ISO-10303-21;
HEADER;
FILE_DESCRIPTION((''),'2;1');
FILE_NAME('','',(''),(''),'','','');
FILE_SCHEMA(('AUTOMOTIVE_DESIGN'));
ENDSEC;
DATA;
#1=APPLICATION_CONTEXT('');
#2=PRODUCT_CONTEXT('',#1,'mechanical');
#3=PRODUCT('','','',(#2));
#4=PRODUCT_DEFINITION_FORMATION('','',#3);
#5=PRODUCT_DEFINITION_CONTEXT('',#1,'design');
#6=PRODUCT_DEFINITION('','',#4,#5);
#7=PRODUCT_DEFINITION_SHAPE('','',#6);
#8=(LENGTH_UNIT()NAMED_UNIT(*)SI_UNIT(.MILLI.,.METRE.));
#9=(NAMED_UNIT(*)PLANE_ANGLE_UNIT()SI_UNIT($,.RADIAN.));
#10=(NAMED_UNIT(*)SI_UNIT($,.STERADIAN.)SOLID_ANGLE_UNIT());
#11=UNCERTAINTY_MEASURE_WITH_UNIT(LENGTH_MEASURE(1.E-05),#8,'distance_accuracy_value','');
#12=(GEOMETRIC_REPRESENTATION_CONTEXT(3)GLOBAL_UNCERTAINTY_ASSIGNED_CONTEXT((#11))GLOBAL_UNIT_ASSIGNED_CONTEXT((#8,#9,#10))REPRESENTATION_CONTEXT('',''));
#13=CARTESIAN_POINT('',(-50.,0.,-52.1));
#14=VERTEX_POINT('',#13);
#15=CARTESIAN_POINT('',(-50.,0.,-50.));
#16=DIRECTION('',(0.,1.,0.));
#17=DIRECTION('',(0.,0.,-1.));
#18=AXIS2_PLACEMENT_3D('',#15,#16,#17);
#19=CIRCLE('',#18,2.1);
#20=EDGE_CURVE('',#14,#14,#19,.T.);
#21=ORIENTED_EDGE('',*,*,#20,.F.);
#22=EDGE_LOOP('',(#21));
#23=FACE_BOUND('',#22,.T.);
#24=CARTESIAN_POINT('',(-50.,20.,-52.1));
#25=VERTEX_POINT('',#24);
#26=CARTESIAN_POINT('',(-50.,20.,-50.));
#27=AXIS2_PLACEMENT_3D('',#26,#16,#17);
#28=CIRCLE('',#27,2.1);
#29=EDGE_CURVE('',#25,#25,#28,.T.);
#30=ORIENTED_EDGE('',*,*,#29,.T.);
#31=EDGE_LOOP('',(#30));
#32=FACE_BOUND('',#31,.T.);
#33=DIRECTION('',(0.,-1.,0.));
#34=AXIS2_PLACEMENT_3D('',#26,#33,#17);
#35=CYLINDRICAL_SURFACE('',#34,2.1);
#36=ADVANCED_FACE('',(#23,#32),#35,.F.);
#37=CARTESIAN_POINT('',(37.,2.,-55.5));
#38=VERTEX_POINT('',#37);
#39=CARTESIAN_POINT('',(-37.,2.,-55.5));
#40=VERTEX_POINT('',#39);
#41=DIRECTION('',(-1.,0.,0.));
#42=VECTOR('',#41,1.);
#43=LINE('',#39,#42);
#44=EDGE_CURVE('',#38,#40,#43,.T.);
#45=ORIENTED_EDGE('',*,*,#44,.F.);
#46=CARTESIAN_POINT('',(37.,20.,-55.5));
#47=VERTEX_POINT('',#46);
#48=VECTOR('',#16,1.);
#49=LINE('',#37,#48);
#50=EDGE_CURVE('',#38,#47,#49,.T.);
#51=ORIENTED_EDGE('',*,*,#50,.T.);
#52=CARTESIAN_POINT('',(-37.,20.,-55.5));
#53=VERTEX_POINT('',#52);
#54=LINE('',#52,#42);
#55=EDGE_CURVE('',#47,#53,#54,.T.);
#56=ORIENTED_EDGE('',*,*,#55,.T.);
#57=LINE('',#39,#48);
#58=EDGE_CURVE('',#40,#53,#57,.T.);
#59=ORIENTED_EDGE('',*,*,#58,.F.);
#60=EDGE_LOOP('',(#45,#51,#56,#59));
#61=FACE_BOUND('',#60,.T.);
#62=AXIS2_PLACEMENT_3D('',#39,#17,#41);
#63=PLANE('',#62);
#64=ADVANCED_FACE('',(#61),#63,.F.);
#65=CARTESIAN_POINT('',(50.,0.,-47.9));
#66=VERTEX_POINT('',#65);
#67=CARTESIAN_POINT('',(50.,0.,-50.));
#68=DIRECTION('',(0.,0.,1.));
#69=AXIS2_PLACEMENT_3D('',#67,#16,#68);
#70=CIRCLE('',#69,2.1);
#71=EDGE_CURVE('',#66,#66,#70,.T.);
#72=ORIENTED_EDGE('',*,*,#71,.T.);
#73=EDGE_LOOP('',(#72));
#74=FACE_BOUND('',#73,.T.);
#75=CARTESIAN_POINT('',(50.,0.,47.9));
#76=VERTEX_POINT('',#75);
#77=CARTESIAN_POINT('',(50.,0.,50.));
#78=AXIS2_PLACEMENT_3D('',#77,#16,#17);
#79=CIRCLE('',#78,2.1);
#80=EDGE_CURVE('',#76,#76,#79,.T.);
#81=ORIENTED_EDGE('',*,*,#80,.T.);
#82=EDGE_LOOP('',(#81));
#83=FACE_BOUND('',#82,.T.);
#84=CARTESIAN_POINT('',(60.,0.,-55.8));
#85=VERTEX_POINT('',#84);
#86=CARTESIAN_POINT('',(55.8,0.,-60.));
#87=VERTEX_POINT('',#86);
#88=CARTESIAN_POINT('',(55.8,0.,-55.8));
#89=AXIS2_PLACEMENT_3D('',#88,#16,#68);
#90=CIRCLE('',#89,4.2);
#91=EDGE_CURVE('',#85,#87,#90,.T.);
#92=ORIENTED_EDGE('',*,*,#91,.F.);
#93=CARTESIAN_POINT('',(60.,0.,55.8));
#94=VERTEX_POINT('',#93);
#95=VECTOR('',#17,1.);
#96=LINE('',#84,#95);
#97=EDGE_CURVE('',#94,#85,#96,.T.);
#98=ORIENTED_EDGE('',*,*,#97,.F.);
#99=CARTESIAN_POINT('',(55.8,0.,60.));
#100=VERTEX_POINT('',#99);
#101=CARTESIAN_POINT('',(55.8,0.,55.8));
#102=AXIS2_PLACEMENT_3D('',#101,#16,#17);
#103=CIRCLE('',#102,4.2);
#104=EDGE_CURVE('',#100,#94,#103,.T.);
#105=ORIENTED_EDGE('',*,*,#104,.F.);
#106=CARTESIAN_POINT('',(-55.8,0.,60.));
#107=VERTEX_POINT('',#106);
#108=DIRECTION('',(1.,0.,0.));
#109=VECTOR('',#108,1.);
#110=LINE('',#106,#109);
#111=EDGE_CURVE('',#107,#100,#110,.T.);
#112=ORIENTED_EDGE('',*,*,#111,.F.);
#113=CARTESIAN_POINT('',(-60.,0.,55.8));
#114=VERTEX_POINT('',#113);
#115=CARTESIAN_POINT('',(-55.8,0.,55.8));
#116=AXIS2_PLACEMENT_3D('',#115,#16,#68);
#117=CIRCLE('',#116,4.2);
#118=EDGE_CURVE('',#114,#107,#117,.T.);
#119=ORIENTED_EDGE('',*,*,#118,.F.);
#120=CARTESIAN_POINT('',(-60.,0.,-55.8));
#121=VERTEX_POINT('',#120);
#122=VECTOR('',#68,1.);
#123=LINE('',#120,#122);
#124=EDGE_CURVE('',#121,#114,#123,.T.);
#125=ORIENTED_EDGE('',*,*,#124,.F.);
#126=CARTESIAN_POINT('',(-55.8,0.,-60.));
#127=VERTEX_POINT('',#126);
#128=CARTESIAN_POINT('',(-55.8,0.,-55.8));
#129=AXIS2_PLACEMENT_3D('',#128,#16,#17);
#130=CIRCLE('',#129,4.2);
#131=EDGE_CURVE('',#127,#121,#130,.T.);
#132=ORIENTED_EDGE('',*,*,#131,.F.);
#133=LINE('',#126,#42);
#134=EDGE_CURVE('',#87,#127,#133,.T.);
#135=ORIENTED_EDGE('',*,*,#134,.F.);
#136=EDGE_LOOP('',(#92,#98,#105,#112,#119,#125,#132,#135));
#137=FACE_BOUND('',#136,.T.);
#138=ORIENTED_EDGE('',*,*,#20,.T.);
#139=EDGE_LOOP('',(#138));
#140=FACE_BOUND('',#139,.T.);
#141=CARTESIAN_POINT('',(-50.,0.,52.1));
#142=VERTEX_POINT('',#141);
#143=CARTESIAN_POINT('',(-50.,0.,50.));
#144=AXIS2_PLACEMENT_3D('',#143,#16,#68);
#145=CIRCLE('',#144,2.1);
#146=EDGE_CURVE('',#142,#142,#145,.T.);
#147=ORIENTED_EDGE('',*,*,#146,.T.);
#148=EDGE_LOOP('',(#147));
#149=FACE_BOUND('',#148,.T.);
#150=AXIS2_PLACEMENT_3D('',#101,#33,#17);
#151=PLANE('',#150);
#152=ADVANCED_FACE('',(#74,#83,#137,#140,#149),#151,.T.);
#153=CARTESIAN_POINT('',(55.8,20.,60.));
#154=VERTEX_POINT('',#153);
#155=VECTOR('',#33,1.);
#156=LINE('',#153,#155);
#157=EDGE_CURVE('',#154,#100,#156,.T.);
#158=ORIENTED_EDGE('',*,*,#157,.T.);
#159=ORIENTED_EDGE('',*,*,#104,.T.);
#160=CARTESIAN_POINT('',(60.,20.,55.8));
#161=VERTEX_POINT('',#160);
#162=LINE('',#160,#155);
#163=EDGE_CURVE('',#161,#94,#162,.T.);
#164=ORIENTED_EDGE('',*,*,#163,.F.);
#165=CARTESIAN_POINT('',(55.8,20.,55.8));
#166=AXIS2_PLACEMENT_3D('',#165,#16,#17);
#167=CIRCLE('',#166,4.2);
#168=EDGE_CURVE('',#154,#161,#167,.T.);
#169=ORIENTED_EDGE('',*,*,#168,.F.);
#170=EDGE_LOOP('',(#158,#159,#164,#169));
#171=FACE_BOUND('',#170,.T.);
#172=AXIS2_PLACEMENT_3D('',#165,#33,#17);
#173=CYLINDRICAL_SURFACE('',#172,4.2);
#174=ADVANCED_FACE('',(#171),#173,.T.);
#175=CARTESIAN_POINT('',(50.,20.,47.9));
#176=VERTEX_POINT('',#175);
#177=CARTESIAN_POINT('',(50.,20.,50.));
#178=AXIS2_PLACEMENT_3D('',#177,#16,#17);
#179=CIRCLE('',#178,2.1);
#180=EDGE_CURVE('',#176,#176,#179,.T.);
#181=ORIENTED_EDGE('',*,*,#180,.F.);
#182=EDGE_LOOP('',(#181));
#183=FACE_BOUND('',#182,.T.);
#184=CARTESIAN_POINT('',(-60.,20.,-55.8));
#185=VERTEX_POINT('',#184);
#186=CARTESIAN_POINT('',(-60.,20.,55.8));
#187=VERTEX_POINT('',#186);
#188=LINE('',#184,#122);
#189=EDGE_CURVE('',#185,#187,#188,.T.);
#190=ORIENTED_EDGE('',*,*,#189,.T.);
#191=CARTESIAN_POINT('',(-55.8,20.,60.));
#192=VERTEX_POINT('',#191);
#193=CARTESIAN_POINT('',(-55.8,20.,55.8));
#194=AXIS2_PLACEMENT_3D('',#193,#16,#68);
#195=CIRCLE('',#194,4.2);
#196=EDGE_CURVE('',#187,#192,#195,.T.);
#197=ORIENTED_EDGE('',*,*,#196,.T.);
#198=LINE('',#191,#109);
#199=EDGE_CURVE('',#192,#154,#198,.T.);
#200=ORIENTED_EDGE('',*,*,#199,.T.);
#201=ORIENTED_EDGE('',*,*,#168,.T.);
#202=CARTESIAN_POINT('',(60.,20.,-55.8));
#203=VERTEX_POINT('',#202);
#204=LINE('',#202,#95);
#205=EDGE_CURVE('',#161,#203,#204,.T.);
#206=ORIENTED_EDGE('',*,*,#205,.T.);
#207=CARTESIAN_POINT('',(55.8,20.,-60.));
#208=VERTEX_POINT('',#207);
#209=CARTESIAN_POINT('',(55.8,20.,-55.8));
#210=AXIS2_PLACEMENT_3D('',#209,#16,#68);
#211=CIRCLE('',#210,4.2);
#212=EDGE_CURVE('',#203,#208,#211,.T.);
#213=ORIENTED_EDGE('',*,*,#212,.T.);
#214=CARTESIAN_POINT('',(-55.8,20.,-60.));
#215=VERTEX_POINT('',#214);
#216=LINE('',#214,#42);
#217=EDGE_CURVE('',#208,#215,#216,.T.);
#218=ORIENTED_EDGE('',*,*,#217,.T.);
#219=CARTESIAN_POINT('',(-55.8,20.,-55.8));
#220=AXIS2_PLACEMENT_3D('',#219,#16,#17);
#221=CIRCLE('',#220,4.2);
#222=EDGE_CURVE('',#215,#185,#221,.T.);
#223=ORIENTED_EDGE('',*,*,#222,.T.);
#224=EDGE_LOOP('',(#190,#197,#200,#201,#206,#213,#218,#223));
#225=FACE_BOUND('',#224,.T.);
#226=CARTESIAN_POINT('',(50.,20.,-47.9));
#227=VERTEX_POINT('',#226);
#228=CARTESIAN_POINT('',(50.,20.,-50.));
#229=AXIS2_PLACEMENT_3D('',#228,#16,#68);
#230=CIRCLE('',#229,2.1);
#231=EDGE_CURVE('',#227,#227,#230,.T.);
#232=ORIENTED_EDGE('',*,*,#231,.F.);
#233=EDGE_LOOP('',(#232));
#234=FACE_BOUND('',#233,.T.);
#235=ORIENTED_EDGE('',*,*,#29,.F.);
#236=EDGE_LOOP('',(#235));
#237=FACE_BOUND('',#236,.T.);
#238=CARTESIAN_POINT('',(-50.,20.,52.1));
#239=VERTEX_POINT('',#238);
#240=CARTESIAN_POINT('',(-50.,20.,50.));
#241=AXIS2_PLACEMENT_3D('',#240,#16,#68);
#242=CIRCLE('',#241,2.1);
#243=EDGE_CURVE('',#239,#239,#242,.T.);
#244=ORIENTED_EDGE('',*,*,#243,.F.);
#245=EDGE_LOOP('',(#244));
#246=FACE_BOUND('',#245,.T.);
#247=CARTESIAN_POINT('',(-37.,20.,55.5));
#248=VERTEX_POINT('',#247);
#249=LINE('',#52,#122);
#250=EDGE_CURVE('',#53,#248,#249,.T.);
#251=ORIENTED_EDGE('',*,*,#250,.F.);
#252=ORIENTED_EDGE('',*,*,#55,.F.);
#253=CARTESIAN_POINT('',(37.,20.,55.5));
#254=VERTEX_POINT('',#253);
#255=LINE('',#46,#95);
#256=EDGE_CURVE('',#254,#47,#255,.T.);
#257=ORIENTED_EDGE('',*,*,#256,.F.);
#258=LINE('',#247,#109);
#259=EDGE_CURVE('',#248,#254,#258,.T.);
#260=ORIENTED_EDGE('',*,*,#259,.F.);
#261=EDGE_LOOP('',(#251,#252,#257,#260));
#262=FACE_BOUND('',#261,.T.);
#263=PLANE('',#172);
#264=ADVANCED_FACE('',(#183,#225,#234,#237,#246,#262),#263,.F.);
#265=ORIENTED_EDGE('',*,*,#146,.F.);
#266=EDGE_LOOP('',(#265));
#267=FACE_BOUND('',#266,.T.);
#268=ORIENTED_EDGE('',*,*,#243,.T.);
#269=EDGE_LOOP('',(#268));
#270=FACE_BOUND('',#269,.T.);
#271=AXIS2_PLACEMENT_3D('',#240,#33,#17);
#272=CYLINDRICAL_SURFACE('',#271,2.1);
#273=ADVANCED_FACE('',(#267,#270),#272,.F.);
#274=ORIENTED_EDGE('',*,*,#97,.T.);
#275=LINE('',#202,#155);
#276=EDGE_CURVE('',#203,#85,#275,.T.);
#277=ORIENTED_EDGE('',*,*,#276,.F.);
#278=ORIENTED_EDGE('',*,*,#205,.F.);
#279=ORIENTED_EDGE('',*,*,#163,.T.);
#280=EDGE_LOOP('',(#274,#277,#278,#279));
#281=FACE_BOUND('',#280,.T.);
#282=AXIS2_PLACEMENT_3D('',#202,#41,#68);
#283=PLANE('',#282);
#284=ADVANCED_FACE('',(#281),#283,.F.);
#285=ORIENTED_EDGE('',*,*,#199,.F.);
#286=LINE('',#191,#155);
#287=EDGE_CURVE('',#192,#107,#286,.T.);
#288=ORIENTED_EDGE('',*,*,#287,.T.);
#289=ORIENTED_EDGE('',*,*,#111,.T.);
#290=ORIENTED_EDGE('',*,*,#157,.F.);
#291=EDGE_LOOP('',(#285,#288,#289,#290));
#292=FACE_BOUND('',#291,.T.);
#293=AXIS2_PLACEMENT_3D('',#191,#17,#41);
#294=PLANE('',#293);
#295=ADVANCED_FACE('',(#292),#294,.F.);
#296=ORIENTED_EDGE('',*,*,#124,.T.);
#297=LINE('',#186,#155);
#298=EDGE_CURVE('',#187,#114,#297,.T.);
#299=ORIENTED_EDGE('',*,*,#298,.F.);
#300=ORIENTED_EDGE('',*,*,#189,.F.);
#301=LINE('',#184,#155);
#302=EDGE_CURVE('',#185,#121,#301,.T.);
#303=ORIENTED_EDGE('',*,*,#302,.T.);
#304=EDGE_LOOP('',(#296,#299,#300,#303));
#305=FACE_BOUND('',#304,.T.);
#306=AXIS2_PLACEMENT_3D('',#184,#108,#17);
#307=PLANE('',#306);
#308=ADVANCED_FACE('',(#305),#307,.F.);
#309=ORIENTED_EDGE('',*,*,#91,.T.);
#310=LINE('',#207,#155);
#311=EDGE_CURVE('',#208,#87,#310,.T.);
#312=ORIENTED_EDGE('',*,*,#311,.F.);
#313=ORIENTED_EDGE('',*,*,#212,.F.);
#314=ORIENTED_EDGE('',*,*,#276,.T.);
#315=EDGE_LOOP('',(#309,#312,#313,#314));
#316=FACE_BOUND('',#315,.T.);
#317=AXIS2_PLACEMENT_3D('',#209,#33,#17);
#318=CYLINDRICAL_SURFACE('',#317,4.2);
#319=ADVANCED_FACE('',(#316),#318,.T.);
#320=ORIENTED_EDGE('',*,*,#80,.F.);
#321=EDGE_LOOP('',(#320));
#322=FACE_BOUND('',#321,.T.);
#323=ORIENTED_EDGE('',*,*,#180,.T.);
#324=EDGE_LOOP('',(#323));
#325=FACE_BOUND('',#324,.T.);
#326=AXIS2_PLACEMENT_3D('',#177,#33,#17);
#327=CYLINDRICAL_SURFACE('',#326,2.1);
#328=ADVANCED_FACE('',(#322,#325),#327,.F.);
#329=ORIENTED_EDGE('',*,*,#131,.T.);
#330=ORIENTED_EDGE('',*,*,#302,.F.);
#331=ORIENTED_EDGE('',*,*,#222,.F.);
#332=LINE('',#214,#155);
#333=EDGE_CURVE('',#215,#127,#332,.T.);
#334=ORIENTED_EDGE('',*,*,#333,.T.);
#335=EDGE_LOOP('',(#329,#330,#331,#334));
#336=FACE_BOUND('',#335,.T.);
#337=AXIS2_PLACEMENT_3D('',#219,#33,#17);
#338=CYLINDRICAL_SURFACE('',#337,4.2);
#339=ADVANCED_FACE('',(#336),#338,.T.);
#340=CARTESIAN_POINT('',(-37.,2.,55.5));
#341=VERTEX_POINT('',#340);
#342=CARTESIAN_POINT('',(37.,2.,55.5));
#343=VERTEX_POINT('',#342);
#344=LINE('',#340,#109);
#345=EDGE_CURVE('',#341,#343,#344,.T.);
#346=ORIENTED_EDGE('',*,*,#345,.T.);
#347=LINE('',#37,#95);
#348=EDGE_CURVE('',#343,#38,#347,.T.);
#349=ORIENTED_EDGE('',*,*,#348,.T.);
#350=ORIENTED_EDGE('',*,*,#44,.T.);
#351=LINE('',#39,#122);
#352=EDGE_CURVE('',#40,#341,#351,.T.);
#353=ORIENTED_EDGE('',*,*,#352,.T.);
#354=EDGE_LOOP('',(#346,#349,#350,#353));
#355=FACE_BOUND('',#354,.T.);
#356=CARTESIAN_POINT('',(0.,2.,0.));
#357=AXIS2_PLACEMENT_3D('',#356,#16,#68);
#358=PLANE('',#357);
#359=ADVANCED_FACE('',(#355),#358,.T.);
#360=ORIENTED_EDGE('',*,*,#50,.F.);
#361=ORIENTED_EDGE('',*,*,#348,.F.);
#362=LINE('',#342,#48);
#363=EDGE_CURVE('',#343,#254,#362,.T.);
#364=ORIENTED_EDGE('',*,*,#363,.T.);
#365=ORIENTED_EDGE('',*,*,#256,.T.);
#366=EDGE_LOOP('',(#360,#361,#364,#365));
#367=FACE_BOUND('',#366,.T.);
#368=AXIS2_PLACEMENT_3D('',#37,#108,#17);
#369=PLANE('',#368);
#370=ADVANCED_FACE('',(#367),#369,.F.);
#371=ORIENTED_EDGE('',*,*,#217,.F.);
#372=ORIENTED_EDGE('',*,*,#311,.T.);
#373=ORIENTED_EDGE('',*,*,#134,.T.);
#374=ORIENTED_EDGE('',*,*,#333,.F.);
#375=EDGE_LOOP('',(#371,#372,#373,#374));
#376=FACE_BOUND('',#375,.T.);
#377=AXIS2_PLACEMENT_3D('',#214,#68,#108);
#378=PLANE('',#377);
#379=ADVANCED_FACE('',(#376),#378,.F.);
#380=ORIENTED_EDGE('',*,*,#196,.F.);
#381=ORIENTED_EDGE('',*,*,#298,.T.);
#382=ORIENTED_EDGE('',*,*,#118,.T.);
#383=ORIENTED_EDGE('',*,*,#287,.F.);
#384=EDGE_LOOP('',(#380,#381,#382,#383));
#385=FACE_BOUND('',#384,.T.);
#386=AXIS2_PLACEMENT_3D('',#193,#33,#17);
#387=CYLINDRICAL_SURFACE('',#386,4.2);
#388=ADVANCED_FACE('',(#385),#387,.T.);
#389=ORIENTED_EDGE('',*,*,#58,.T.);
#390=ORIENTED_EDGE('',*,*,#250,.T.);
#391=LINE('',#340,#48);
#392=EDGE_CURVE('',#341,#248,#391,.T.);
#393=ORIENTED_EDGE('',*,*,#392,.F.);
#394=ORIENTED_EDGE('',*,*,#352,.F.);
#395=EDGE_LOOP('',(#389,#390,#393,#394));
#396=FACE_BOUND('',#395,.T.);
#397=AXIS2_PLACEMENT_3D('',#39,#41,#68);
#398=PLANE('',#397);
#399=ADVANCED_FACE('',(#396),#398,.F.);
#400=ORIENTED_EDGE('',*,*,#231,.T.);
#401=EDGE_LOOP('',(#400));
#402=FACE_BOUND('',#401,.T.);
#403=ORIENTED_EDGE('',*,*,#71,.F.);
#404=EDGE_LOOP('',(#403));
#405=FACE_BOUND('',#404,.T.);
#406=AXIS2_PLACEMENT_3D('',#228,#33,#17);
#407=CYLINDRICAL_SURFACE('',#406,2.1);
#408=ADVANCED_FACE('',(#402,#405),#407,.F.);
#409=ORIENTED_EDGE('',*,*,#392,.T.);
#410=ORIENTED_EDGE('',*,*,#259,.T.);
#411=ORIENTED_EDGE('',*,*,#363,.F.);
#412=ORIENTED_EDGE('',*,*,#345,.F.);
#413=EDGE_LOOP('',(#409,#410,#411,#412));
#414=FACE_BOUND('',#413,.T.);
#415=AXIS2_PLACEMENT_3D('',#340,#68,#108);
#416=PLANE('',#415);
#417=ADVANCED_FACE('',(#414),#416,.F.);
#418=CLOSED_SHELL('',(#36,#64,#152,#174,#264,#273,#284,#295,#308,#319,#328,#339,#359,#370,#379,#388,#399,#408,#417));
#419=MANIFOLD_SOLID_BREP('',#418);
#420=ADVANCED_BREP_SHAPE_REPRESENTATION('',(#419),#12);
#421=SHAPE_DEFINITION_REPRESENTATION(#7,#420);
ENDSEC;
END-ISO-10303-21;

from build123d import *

# Parameters (mm, degrees)
SKETCH1_R           = 2.1
BOSS_EXTRUDE1_DEPTH = 20
SKETCH2_W           = 74
SKETCH2_H           = 111
CUT_EXTRUDE1_DEPTH  = 18


with BuildPart() as part:
    # Sketch1 → Boss-Extrude1 (new body)
    with BuildSketch(Plane(origin=(0, 0, 0), x_dir=(1, 0, 0), z_dir=(0, 1, 0))):
        with BuildLine():
            Line((-55.8, 60), (55.8, 60))
            ThreePointArc((55.8, 60), (58.769848481, 58.769848481), (60, 55.8))
            Line((60, 55.8), (60, -55.8))
            ThreePointArc((60, -55.8), (58.769848481, -58.769848481), (55.8, -60))
            Line((55.8, -60), (-55.8, -60))
            ThreePointArc((-55.8, -60), (-58.769848481, -58.769848481), (-60, -55.8))
            Line((-60, -55.8), (-60, 55.8))
            ThreePointArc((-60, 55.8), (-58.769848481, 58.769848481), (-55.8, 60))
        make_face()
        with Locations(Location((50, 50, 0), (0, 0, 270))):
            Circle(SKETCH1_R, mode=Mode.SUBTRACT)
        with Locations(Location((-50, 50, 0), (0, 0, 90))):
            Circle(SKETCH1_R, mode=Mode.SUBTRACT)
        with Locations(Location((50, -50, 0), (0, 0, 90))):
            Circle(SKETCH1_R, mode=Mode.SUBTRACT)
        with Locations(Location((-50, -50, 0), (0, 0, 270))):
            Circle(SKETCH1_R, mode=Mode.SUBTRACT)
    extrude(amount=BOSS_EXTRUDE1_DEPTH)

    # Sketch2 → Cut-Extrude1 (cut)
    with BuildSketch(Plane(origin=(0, 20, 0), x_dir=(1, 0, 0), z_dir=(0, 1, 0))):
        Rectangle(SKETCH2_W, SKETCH2_H)
    extrude(amount=-CUT_EXTRUDE1_DEPTH, mode=Mode.SUBTRACT)


solid = part.part
